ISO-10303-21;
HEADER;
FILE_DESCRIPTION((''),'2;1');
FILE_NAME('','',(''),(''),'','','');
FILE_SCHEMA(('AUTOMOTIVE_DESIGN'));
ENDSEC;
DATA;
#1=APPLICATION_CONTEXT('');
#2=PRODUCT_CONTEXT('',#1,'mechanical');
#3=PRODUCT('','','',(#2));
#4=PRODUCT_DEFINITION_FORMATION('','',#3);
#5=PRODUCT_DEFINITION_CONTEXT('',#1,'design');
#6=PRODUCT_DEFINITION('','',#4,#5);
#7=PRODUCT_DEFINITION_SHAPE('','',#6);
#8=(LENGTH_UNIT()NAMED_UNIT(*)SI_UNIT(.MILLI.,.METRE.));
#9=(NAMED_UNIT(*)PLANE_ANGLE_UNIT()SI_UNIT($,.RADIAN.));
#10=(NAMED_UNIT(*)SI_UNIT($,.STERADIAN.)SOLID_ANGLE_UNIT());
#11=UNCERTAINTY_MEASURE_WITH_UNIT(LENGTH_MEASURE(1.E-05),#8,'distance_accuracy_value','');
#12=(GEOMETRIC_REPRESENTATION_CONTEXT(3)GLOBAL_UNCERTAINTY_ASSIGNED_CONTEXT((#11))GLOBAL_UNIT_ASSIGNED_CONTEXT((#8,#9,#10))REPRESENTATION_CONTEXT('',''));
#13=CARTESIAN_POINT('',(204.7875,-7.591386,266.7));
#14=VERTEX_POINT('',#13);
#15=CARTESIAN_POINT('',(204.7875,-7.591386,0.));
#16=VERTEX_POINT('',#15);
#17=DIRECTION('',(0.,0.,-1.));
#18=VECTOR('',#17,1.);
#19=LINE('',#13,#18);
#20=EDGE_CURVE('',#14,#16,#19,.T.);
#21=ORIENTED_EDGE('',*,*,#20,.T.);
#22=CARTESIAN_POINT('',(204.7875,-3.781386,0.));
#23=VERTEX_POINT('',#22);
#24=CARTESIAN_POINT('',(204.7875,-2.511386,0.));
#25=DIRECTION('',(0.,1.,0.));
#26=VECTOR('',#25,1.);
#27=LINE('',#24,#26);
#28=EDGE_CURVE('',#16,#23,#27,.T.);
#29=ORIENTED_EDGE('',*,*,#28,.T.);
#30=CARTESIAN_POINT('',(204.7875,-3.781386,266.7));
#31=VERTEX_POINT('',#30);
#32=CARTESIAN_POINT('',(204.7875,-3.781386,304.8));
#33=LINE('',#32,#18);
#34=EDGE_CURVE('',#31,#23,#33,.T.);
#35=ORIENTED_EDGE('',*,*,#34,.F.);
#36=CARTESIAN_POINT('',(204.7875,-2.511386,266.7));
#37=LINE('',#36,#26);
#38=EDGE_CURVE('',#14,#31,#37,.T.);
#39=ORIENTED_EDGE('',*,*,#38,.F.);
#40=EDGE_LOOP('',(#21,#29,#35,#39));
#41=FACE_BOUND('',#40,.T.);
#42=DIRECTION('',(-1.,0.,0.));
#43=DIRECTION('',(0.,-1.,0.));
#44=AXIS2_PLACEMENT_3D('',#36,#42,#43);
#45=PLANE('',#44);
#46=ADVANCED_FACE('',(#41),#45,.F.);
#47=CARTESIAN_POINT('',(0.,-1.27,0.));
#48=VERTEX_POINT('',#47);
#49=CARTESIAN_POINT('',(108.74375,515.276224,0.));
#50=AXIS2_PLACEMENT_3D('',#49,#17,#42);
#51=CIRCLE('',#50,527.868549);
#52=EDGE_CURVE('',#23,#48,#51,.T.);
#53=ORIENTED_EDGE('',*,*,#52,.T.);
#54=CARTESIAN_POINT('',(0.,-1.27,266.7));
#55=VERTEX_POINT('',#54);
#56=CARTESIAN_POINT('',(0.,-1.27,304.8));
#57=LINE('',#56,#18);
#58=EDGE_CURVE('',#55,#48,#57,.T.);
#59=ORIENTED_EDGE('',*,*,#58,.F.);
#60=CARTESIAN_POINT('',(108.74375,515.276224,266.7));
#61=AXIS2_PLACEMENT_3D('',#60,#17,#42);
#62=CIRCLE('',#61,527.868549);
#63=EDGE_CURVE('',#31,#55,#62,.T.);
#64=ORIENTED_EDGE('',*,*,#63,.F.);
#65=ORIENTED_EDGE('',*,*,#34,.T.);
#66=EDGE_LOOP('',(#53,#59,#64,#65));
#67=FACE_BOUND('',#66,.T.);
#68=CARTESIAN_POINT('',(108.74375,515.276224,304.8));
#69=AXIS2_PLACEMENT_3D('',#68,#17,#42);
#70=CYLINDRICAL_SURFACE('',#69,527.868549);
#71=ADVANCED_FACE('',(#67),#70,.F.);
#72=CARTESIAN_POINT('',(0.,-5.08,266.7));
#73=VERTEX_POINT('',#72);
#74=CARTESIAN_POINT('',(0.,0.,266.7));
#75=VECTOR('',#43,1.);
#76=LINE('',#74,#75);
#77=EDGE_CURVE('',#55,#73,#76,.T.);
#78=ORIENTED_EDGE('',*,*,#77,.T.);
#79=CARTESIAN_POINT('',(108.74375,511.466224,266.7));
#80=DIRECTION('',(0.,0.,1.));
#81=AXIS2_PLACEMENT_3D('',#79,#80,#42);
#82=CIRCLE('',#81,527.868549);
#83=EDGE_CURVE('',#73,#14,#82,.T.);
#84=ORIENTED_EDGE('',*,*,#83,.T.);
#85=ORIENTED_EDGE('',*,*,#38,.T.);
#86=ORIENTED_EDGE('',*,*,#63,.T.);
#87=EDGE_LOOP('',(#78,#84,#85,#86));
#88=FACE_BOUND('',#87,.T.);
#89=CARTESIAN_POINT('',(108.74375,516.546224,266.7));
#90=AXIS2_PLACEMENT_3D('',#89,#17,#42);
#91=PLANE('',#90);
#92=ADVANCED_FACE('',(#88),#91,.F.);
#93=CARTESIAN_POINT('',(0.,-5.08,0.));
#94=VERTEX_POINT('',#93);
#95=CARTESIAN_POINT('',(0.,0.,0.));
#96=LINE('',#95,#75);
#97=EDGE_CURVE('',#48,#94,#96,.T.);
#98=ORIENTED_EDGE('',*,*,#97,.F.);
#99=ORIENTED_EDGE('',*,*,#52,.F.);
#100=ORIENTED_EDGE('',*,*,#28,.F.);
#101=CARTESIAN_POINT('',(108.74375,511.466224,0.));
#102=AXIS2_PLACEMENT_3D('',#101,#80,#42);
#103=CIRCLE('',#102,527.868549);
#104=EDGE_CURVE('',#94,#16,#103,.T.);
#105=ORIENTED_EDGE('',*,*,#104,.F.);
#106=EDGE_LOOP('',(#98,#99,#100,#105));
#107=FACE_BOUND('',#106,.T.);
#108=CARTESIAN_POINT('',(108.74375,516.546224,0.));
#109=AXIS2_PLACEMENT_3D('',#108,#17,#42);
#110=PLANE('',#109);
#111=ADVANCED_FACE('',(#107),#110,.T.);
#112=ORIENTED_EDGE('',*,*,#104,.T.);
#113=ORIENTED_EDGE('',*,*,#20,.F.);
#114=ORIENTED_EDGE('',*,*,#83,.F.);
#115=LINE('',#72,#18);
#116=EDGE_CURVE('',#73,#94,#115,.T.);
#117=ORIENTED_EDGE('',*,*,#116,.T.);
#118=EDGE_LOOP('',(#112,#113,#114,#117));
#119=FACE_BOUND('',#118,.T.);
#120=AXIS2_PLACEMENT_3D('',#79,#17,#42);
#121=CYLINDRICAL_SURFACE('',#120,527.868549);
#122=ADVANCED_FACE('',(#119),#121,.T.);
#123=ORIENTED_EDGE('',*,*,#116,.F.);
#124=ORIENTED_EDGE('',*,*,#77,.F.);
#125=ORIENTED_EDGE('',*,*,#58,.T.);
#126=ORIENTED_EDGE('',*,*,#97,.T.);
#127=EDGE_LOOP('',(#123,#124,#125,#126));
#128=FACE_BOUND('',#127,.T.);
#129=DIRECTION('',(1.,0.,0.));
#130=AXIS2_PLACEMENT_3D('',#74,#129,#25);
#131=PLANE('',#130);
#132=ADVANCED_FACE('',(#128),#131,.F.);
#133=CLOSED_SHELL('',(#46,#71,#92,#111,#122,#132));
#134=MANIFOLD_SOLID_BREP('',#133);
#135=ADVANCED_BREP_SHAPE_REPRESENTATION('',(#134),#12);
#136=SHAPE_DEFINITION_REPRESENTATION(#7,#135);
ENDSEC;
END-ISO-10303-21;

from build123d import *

# Parameters (mm, degrees)
BOSS_EXTRUDE1_DEPTH = 266.7
CUT_EXTRUDE1_DEPTH  = 304.8


with BuildPart() as part:
    # Sketch1 → Boss-Extrude1 (new body)
    with BuildSketch(Plane.XY):
        with BuildLine():
            Line((204.7875, -2.511386267), (204.7875, -7.591386267))
            ThreePointArc((204.7875, -7.591386267), (102.270785822, -16.362635969), (0, -5.08))
            Line((0, -5.08), (0, 0))
            ThreePointArc((0, 0), (102.270785822, -11.282635969), (204.7875, -2.511386267))
        make_face()
    extrude(amount=BOSS_EXTRUDE1_DEPTH)

    # Sketch2 → Cut-Extrude1 (cut)
    with BuildSketch(Plane(origin=(0, 0, 0), x_dir=(-1, 0, 0), z_dir=(0, 0, -1))):
        with BuildLine():
            ThreePointArc((0, 0), (-102.270785822, -11.282635969), (-204.7875, -2.511386267))
            Line((-204.7875, -2.511386267), (-204.7875, -3.781386267))
            ThreePointArc((-204.7875, -3.781386267), (-102.270785822, -12.552635969), (0, -1.27))
            Line((0, -1.27), (0, 0))
        make_face()
    extrude(amount=-CUT_EXTRUDE1_DEPTH, mode=Mode.SUBTRACT)


solid = part.part
